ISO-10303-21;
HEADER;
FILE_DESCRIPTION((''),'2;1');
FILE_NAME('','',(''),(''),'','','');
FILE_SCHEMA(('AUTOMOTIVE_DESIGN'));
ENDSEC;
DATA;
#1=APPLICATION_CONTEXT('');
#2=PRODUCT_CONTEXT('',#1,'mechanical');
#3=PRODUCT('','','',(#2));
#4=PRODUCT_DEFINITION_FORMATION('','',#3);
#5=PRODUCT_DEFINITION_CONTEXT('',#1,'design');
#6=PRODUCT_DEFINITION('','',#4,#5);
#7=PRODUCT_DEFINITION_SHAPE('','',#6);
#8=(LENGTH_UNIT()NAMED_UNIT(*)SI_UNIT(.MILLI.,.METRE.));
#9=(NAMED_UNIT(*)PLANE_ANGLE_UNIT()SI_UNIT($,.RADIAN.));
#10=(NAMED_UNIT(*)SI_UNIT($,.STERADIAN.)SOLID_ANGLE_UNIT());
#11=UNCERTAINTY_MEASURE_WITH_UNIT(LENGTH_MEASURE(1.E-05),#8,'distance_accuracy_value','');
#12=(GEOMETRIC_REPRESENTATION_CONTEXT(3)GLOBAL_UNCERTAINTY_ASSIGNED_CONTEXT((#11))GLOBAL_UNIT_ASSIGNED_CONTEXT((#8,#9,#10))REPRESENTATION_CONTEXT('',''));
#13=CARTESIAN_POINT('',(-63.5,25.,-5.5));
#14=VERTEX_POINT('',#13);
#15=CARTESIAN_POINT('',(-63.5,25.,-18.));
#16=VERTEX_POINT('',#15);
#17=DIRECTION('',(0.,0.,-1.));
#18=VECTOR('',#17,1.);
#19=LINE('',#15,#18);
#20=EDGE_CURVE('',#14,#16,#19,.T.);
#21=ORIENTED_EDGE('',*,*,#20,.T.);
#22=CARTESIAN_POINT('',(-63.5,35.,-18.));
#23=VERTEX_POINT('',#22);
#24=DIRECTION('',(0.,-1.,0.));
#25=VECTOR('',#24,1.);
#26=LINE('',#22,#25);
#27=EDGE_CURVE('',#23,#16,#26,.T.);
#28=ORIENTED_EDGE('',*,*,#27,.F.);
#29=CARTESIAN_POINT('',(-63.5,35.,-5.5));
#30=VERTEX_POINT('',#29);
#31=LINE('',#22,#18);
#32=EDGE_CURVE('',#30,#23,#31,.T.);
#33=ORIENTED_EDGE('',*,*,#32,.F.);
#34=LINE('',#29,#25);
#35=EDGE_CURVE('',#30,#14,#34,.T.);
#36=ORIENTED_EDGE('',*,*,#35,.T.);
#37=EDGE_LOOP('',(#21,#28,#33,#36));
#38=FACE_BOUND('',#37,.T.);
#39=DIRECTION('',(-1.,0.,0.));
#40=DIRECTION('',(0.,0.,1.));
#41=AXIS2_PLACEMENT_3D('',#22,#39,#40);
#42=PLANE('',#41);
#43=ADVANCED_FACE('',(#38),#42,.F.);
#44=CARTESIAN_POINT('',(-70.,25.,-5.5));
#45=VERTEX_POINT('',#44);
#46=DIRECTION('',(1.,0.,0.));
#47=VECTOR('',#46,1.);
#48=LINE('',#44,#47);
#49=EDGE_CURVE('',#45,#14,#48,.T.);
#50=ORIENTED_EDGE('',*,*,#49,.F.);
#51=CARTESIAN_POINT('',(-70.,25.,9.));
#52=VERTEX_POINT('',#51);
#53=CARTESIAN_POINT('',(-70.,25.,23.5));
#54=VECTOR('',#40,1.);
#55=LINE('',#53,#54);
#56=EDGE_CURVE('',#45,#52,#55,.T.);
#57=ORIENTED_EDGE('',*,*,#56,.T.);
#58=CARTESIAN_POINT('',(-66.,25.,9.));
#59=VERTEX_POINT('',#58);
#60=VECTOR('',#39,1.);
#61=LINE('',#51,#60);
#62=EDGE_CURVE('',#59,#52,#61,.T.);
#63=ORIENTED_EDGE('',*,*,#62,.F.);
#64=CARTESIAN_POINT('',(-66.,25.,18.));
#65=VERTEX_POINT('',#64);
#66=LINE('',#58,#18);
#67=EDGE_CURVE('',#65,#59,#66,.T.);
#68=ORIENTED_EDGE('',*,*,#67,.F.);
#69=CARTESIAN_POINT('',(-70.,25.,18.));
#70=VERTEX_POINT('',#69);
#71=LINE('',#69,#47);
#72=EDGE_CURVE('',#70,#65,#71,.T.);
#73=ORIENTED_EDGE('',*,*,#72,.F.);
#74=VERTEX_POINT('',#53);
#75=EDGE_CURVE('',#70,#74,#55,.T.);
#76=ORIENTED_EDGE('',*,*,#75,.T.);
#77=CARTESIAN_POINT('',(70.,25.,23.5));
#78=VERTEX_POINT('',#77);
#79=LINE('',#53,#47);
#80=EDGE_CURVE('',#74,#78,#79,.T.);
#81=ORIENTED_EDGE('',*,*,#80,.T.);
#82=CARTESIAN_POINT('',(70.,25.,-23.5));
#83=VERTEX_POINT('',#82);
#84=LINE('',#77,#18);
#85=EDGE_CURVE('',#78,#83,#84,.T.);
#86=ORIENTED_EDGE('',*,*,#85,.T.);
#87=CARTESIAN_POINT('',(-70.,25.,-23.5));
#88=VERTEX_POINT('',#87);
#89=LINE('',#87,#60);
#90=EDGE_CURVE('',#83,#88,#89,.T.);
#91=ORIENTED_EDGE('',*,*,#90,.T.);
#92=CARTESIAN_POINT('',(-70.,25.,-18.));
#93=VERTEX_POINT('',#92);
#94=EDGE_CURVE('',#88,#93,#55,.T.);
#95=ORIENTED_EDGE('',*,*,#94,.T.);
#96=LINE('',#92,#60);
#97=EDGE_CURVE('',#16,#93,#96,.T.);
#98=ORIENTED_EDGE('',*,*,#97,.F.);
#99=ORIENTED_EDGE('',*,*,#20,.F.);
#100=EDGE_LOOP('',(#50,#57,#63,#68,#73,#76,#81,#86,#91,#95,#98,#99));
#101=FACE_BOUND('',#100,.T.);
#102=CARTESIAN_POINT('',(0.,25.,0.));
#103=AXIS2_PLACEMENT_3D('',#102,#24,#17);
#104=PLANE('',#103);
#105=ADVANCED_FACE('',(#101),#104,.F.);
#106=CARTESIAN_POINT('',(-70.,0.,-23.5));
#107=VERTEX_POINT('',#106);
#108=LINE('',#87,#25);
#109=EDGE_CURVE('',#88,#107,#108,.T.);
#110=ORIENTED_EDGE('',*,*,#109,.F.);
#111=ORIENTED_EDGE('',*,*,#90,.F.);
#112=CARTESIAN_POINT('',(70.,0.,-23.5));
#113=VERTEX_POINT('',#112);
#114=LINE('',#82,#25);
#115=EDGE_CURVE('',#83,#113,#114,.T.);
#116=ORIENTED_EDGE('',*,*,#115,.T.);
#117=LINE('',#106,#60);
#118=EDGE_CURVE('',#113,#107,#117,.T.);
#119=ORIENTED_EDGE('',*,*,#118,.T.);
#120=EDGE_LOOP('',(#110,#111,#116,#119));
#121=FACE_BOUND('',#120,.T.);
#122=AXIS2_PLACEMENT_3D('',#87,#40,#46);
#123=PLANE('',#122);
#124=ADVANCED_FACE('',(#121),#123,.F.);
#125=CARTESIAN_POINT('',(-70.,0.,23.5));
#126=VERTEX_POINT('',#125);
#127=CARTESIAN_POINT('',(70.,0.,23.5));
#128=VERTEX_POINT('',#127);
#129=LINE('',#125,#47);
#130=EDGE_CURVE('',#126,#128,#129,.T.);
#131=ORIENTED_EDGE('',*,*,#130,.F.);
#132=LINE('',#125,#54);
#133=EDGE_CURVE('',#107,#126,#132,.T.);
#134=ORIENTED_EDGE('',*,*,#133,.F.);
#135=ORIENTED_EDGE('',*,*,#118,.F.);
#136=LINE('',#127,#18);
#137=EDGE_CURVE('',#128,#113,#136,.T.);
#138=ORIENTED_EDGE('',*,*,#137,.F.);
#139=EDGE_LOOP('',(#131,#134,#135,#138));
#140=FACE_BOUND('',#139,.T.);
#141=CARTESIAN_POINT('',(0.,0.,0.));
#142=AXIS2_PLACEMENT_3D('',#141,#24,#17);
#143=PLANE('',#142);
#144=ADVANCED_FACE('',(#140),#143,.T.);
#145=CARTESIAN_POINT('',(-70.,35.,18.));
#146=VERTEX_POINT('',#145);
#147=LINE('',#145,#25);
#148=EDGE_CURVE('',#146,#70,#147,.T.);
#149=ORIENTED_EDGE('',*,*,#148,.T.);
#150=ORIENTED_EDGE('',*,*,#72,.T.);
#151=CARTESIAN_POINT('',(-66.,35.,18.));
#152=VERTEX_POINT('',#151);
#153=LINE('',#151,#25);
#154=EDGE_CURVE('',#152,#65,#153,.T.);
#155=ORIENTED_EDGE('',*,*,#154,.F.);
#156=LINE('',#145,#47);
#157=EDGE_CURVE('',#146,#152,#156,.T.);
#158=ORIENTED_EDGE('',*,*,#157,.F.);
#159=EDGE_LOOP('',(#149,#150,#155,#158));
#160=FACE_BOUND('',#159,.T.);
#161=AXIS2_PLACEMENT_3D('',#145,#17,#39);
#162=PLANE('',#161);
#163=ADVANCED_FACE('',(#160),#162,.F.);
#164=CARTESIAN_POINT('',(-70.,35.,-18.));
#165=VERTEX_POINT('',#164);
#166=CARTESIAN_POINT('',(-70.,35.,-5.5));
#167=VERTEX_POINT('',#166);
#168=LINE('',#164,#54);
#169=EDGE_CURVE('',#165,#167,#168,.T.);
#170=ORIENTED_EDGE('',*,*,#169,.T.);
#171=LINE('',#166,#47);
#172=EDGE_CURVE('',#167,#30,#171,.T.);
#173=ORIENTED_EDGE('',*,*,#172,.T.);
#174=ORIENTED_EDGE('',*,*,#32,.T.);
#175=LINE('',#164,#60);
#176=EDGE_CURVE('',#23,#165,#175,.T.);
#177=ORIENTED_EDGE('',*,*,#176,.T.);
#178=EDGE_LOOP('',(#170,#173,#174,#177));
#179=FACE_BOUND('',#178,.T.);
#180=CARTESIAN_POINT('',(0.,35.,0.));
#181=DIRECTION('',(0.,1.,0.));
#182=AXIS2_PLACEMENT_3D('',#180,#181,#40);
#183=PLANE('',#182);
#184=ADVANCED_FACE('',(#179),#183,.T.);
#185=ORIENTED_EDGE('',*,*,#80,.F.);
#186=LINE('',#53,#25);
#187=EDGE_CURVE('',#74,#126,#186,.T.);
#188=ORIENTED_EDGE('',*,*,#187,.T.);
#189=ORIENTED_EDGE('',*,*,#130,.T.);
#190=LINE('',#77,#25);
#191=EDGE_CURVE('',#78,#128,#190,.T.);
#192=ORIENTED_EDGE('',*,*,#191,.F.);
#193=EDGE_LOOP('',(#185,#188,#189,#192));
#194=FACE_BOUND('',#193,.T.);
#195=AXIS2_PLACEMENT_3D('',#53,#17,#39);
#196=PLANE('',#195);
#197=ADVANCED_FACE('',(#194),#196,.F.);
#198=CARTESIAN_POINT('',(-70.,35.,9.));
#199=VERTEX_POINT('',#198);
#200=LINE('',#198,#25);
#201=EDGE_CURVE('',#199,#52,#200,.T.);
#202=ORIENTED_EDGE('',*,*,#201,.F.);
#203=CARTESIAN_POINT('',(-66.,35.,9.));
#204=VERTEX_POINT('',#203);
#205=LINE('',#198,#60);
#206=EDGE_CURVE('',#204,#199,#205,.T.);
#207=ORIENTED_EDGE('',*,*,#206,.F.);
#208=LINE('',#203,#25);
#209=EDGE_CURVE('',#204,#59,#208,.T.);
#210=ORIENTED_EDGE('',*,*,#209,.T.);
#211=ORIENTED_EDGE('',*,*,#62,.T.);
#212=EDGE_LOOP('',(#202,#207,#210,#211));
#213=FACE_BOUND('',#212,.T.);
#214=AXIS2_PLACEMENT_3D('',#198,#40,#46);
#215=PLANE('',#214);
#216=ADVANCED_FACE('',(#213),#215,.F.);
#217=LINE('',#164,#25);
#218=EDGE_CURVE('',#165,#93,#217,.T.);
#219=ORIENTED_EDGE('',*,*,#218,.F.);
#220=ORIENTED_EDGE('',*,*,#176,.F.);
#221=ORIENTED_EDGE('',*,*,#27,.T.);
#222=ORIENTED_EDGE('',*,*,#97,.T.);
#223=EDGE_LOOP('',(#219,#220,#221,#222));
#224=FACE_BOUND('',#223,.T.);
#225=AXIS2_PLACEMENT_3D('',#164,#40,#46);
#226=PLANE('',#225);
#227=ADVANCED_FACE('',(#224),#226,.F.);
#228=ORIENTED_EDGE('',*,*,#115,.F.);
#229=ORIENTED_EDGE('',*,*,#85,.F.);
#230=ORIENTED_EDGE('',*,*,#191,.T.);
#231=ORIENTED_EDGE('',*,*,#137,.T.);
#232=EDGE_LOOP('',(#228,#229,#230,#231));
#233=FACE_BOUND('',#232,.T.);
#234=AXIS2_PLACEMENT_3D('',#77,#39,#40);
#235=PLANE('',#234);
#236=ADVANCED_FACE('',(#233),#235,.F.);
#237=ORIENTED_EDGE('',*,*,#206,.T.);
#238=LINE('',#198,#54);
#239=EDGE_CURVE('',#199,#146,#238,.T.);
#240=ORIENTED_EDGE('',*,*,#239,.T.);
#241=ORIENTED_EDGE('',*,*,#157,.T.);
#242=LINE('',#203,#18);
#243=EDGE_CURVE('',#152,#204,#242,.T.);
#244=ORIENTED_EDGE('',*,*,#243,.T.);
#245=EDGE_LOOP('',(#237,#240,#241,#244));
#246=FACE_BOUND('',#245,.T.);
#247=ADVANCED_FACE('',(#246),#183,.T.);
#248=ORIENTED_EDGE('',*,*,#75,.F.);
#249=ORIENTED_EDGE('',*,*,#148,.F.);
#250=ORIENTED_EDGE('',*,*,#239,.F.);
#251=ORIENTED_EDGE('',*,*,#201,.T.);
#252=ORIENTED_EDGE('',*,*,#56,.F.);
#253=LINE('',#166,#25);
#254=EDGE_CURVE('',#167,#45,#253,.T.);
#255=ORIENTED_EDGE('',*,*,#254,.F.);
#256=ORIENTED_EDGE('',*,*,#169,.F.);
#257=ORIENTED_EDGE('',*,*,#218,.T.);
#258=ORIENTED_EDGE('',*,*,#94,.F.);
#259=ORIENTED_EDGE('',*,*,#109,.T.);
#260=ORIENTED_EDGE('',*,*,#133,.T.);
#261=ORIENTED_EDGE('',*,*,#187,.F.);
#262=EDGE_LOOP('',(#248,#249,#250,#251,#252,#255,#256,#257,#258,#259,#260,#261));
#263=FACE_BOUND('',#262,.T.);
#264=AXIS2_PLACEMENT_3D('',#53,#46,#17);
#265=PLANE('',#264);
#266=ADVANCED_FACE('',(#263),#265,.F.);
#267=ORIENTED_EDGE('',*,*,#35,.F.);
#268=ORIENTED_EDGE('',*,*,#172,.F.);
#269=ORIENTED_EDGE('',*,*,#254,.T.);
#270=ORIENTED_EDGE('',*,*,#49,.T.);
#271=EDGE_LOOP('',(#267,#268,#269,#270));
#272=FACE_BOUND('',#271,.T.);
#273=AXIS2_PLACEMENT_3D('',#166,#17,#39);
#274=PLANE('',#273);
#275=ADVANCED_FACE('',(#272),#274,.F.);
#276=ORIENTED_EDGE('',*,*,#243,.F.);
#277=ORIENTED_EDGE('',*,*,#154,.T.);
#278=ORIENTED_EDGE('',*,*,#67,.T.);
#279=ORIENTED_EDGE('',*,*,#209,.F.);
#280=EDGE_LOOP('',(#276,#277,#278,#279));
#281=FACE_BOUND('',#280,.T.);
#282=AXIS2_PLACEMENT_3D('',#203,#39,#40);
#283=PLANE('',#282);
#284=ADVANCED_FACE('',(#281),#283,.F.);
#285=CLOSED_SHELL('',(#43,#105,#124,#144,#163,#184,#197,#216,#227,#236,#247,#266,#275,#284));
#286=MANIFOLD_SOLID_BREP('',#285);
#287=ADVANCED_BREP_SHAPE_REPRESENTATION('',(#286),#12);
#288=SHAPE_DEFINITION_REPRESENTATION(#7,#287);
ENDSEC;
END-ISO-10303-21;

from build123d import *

# Parameters (mm, degrees)
SKETCH1_W           = 140
SKETCH1_H           = 47
BOSS_EXTRUDE1_DEPTH = 25
SKETCH2_W           = 6.5
SKETCH2_H           = 12.5
SKETCH2_W_2         = 4
SKETCH2_H_2         = 9
BOSS_EXTRUDE2_DEPTH = 10


with BuildPart() as part:
    # Sketch1 → Boss-Extrude1 (new body)
    with BuildSketch(Plane(origin=(0, 0, 0), x_dir=(1, 0, 0), z_dir=(0, 1, 0))):
        Rectangle(SKETCH1_W, SKETCH1_H)
    extrude(amount=BOSS_EXTRUDE1_DEPTH)

    # Sketch2 → Boss-Extrude2 (add)
    with BuildSketch(Plane(origin=(0, 25, 0), x_dir=(1, 0, 0), z_dir=(0, 1, 0))):
        with Locations((-66.75, 11.75)):
            Rectangle(SKETCH2_W, SKETCH2_H)
        with Locations((-68, -13.5)):
            Rectangle(SKETCH2_W_2, SKETCH2_H_2)
    extrude(amount=BOSS_EXTRUDE2_DEPTH)


solid = part.part
